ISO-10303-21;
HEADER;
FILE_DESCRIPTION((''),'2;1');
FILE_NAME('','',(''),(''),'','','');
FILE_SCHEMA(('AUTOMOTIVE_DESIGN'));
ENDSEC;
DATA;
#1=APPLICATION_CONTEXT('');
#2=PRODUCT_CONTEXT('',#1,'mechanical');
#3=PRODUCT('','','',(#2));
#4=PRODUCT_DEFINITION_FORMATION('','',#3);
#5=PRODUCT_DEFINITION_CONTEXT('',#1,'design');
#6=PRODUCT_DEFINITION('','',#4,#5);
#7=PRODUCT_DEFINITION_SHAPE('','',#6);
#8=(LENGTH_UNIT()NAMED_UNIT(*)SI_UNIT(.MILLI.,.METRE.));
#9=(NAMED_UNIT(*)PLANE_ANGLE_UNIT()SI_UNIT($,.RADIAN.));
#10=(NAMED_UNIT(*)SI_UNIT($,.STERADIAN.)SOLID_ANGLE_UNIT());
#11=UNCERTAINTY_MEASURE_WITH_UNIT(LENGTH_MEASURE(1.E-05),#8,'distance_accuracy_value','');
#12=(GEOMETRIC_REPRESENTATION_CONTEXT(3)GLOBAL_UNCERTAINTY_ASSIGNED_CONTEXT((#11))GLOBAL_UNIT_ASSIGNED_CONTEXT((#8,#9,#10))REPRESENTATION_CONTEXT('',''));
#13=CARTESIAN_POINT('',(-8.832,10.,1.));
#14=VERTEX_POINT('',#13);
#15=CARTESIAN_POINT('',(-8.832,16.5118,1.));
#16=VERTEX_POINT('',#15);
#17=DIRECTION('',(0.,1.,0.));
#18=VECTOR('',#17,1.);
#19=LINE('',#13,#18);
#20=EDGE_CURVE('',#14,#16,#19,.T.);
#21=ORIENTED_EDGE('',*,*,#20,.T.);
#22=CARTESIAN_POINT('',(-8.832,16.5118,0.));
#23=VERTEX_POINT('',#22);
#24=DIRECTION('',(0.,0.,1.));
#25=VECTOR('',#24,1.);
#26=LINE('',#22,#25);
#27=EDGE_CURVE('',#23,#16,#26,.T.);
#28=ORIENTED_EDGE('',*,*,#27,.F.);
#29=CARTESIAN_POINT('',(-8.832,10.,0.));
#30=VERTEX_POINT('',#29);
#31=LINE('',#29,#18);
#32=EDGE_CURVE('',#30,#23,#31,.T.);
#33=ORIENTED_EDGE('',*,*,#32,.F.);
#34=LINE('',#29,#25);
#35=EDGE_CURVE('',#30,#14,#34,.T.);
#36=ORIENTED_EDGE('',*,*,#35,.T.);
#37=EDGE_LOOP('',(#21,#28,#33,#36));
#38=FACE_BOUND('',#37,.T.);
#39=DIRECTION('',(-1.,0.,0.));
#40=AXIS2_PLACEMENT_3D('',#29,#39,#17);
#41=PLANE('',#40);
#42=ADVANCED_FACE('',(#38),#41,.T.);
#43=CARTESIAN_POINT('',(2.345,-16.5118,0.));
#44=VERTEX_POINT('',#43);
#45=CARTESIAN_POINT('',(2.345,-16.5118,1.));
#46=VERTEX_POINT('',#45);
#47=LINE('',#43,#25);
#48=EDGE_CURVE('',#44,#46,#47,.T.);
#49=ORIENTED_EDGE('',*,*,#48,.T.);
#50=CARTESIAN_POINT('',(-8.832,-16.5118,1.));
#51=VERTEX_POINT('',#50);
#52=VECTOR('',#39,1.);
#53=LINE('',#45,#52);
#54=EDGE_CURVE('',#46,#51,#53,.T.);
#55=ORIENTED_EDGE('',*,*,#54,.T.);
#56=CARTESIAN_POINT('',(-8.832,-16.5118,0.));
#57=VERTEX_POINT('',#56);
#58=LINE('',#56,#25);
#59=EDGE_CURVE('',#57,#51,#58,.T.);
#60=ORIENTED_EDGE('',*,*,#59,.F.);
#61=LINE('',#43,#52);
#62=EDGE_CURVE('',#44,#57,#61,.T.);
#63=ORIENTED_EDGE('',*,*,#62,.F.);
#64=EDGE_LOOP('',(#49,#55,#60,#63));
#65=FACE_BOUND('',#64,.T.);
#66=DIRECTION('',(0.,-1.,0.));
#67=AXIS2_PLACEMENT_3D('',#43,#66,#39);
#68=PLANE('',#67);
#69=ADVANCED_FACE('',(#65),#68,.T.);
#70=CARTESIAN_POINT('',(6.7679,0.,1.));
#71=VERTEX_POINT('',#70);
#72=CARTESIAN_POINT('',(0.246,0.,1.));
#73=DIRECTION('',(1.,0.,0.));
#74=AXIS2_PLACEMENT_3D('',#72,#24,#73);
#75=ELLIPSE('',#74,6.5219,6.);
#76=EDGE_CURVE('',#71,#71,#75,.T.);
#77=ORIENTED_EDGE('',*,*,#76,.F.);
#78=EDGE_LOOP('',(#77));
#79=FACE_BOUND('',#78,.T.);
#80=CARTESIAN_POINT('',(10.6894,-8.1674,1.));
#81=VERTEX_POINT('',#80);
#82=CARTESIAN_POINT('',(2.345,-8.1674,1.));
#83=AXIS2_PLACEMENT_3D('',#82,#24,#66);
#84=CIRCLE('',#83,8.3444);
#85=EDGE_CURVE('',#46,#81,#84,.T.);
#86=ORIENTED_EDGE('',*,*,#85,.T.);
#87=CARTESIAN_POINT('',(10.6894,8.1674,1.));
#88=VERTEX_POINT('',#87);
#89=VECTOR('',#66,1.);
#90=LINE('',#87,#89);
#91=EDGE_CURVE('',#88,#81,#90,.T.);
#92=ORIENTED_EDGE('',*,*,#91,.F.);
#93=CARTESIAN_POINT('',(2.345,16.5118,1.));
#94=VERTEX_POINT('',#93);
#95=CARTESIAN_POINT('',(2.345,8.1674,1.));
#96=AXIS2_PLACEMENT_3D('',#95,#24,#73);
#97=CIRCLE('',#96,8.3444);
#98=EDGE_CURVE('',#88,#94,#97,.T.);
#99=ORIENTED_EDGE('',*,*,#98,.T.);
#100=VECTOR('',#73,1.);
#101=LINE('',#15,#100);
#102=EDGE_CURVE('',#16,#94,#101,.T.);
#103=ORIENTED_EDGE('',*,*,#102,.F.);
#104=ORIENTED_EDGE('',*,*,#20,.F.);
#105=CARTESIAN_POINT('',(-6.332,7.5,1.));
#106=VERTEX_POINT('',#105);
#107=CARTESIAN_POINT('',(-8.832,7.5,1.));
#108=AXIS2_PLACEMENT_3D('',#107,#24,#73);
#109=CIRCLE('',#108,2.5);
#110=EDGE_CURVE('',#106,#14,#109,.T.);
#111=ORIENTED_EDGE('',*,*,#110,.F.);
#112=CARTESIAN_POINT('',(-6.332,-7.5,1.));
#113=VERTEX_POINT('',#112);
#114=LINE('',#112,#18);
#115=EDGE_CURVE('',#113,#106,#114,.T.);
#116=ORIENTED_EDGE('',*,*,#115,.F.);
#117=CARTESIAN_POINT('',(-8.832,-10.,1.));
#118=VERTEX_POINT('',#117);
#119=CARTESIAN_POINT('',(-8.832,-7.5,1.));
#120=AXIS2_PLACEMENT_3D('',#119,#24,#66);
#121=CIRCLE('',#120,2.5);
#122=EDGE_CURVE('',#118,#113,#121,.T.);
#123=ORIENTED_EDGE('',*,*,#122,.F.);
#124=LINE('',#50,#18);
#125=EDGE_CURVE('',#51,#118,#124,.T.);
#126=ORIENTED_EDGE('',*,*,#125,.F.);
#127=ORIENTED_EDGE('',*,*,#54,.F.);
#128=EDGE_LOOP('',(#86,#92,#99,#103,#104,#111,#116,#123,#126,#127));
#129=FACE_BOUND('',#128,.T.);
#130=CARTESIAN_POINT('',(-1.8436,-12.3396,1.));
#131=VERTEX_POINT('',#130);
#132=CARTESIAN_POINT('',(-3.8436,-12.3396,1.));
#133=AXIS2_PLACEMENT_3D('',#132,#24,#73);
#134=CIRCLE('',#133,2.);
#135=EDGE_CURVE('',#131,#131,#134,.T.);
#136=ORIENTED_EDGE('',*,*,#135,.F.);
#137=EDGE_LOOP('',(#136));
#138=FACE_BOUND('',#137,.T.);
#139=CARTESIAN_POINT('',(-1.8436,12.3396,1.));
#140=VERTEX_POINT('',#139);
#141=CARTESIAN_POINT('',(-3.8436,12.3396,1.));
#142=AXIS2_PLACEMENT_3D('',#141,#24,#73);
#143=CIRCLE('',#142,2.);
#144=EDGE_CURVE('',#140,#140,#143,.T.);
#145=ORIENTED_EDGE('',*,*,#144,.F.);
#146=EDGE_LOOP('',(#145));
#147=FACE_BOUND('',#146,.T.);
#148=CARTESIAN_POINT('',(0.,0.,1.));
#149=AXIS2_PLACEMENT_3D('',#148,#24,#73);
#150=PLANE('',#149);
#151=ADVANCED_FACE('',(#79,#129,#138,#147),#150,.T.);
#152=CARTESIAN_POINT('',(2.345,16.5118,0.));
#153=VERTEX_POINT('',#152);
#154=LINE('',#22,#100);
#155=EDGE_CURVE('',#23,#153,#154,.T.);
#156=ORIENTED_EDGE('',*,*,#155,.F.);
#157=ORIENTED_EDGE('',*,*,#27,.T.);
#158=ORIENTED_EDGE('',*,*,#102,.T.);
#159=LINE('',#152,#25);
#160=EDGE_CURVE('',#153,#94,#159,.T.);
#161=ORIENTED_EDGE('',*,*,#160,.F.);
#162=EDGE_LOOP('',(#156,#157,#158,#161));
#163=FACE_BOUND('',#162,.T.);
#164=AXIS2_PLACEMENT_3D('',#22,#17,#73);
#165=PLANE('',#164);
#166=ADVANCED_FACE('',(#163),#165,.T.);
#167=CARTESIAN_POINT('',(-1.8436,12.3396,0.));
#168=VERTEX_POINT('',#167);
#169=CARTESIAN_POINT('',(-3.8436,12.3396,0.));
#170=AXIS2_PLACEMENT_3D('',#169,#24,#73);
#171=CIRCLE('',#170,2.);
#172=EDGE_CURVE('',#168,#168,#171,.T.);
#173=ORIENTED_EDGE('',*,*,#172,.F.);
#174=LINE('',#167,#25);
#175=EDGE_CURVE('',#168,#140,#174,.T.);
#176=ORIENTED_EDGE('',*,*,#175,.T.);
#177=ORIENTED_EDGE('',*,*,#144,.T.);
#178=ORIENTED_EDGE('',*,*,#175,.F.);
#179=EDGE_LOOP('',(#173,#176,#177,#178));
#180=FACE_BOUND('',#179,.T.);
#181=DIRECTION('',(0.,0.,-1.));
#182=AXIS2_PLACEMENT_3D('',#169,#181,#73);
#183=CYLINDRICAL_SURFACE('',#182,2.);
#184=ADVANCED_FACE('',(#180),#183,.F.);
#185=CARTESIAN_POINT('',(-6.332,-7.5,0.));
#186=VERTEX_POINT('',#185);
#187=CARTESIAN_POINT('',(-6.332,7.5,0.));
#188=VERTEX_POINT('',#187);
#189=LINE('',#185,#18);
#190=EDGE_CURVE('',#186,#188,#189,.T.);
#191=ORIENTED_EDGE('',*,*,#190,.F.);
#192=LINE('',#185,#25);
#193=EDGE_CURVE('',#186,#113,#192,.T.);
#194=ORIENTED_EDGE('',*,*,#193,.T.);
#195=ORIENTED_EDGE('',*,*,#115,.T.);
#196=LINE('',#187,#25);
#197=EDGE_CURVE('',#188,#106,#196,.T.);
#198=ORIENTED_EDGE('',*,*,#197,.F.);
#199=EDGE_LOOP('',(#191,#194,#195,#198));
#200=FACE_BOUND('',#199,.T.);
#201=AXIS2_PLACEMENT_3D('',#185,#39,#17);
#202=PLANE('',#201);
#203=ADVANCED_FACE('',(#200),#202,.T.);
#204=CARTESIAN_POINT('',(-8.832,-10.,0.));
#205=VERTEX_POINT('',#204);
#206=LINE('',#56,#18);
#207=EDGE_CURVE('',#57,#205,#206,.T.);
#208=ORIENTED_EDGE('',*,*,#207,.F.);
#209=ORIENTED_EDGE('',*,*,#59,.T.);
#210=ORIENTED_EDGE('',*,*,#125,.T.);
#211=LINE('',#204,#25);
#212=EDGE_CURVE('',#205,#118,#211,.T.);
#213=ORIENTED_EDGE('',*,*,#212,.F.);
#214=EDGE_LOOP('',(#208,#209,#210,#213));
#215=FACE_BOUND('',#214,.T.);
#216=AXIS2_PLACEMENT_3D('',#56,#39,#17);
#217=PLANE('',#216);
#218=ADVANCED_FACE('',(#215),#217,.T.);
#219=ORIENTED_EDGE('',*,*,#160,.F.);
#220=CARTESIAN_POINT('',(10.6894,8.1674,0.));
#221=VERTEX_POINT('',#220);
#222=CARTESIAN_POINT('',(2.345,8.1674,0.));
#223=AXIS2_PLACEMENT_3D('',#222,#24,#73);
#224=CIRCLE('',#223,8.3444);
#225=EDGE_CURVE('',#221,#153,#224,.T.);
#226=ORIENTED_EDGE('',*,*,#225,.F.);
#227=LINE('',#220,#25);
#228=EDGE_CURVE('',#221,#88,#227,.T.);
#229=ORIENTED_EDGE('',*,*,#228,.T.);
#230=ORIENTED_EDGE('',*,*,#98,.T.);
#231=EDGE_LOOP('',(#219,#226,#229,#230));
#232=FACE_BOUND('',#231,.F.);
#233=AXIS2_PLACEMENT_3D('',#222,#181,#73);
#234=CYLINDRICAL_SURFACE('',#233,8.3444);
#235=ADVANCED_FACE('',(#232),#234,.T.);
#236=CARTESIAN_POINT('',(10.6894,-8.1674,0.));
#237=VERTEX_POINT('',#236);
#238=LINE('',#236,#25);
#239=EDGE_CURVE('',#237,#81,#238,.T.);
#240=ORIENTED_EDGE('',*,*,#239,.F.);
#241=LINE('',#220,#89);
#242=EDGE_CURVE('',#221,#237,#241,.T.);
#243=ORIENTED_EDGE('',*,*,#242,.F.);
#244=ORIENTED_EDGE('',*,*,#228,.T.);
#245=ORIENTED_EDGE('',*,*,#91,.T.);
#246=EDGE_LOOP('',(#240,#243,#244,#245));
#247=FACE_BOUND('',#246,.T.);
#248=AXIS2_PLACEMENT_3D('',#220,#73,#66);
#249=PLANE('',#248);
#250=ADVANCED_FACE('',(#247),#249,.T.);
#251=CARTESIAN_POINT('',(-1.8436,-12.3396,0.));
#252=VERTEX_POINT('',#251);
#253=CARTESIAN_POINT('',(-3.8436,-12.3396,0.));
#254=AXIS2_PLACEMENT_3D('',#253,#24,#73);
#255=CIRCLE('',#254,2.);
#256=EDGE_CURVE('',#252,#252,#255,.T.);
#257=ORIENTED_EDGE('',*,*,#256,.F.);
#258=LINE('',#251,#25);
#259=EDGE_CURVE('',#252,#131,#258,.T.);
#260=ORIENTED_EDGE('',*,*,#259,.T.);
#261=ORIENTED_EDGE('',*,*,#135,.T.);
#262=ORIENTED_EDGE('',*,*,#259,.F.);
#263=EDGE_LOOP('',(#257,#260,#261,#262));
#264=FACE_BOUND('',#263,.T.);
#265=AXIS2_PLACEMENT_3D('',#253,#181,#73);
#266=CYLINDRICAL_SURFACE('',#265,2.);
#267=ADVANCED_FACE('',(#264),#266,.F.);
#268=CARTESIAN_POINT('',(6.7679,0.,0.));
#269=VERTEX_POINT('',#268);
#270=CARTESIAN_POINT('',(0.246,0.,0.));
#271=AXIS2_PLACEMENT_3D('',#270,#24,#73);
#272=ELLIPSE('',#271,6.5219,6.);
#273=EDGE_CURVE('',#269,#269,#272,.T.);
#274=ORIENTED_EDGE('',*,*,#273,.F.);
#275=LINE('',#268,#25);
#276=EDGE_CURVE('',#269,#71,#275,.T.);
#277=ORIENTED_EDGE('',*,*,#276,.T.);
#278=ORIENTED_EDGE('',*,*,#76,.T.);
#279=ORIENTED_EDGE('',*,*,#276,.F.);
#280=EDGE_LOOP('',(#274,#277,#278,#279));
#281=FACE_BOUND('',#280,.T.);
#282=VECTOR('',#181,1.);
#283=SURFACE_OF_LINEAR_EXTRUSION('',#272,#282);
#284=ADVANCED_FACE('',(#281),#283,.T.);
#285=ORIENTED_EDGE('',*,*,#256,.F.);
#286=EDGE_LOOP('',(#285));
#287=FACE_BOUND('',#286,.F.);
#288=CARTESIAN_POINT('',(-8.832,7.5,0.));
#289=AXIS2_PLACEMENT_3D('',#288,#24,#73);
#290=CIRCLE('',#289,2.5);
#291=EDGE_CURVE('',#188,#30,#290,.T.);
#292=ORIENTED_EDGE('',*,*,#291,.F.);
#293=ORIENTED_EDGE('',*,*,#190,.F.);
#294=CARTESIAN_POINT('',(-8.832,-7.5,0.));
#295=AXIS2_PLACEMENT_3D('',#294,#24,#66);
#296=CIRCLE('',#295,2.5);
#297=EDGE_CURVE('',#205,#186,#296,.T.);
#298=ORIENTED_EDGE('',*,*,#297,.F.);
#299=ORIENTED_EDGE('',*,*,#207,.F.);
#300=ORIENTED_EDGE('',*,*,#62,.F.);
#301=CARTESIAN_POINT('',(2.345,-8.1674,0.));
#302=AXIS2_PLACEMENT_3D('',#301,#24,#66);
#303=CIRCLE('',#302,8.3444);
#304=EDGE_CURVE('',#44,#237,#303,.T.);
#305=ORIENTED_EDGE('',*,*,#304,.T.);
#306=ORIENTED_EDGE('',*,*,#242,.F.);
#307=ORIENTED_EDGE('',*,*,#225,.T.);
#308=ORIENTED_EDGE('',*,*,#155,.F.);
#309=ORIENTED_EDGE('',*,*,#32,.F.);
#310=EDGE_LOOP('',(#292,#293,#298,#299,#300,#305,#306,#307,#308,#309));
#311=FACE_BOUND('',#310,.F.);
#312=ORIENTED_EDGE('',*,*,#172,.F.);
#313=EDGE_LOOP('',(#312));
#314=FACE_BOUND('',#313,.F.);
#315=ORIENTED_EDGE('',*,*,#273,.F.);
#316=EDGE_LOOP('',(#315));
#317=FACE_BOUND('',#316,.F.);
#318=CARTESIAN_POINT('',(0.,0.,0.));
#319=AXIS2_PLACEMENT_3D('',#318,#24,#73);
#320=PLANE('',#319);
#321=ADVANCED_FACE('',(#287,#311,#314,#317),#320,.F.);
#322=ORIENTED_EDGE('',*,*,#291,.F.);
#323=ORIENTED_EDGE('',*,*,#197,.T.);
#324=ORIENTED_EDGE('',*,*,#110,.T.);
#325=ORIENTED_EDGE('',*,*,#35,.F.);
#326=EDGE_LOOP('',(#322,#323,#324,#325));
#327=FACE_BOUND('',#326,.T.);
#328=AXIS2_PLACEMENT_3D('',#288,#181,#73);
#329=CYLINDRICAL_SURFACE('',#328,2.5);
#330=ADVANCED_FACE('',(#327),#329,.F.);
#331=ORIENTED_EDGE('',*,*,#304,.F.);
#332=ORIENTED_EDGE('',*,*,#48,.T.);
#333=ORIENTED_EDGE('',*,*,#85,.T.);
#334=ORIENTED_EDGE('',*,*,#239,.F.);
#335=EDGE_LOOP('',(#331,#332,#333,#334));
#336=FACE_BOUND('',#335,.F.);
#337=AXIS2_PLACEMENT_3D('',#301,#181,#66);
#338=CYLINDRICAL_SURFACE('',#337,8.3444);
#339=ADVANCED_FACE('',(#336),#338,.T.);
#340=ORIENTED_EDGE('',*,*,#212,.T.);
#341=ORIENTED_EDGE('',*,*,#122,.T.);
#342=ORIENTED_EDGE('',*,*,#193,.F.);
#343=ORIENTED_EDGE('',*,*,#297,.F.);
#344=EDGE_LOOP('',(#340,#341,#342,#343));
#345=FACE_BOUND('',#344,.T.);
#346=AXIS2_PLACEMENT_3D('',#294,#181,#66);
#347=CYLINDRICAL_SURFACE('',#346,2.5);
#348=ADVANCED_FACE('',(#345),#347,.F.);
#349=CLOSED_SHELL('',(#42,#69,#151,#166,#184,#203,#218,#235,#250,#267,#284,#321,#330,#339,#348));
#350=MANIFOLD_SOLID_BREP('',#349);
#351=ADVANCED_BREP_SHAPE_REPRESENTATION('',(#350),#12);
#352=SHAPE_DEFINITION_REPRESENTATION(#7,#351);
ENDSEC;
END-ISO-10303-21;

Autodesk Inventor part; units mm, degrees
ref_plane "YZ Plane" through (0, 0, 0) normal (1, 0, 0) x (0, 1, 0)
ref_plane "XZ Plane" through (0, 0, 0) normal (0, 1, 0) x (-1, 0, 0)
ref_plane "XY Plane" through (0, 0, 0) normal (0, 0, 1) x (1, 0, 0)
sketch "Szkic1" plane through (0, 0, 0) normal (0, 0, 1) x (1, 0, 0)
  arc A0 (-6.332, 7.5) -> (-8.832, 10) centre (-8.832, 7.5) ccw projected
  line L0 (-6.332, -7.5) -> (-6.332, 7.5) projected
  arc A1 (-8.832, -10) -> (-6.332, -7.5) centre (-8.832, -7.5) ccw projected
  line L1 (-8.832, -16.5118) -> (-8.832, -10) projected
  line L2 (2.345, -16.5118) -> (-8.832, -16.5118) projected
  arc A2 (2.345, -16.5118) -> (10.6894, -8.1674) centre (2.345, -8.1674) ccw projected
  line L3 (10.6894, 8.1674) -> (10.6894, -8.1674) projected
  arc A3 (10.6894, 8.1674) -> (2.345, 16.5118) centre (2.345, 8.1674) ccw projected
  line L4 (-8.832, 16.5118) -> (2.345, 16.5118) projected
  line L5 (-8.832, 10) -> (-8.832, 16.5118) projected
  circle A4 centre (-3.8436, 12.3396) radius 2 projected
  circle A5 centre (-3.8436, -12.3396) radius 2 projected
  ellipse E0 centre (0.246, 0) end of major axis (6.7679, 0) minor radius 6 projected
  point P0 (0, 0)
extrude "Wyciągnięcie proste1" add sketch "Szkic1" along normal blind 1
properties part number "mocowanie_podwozia_dol"
